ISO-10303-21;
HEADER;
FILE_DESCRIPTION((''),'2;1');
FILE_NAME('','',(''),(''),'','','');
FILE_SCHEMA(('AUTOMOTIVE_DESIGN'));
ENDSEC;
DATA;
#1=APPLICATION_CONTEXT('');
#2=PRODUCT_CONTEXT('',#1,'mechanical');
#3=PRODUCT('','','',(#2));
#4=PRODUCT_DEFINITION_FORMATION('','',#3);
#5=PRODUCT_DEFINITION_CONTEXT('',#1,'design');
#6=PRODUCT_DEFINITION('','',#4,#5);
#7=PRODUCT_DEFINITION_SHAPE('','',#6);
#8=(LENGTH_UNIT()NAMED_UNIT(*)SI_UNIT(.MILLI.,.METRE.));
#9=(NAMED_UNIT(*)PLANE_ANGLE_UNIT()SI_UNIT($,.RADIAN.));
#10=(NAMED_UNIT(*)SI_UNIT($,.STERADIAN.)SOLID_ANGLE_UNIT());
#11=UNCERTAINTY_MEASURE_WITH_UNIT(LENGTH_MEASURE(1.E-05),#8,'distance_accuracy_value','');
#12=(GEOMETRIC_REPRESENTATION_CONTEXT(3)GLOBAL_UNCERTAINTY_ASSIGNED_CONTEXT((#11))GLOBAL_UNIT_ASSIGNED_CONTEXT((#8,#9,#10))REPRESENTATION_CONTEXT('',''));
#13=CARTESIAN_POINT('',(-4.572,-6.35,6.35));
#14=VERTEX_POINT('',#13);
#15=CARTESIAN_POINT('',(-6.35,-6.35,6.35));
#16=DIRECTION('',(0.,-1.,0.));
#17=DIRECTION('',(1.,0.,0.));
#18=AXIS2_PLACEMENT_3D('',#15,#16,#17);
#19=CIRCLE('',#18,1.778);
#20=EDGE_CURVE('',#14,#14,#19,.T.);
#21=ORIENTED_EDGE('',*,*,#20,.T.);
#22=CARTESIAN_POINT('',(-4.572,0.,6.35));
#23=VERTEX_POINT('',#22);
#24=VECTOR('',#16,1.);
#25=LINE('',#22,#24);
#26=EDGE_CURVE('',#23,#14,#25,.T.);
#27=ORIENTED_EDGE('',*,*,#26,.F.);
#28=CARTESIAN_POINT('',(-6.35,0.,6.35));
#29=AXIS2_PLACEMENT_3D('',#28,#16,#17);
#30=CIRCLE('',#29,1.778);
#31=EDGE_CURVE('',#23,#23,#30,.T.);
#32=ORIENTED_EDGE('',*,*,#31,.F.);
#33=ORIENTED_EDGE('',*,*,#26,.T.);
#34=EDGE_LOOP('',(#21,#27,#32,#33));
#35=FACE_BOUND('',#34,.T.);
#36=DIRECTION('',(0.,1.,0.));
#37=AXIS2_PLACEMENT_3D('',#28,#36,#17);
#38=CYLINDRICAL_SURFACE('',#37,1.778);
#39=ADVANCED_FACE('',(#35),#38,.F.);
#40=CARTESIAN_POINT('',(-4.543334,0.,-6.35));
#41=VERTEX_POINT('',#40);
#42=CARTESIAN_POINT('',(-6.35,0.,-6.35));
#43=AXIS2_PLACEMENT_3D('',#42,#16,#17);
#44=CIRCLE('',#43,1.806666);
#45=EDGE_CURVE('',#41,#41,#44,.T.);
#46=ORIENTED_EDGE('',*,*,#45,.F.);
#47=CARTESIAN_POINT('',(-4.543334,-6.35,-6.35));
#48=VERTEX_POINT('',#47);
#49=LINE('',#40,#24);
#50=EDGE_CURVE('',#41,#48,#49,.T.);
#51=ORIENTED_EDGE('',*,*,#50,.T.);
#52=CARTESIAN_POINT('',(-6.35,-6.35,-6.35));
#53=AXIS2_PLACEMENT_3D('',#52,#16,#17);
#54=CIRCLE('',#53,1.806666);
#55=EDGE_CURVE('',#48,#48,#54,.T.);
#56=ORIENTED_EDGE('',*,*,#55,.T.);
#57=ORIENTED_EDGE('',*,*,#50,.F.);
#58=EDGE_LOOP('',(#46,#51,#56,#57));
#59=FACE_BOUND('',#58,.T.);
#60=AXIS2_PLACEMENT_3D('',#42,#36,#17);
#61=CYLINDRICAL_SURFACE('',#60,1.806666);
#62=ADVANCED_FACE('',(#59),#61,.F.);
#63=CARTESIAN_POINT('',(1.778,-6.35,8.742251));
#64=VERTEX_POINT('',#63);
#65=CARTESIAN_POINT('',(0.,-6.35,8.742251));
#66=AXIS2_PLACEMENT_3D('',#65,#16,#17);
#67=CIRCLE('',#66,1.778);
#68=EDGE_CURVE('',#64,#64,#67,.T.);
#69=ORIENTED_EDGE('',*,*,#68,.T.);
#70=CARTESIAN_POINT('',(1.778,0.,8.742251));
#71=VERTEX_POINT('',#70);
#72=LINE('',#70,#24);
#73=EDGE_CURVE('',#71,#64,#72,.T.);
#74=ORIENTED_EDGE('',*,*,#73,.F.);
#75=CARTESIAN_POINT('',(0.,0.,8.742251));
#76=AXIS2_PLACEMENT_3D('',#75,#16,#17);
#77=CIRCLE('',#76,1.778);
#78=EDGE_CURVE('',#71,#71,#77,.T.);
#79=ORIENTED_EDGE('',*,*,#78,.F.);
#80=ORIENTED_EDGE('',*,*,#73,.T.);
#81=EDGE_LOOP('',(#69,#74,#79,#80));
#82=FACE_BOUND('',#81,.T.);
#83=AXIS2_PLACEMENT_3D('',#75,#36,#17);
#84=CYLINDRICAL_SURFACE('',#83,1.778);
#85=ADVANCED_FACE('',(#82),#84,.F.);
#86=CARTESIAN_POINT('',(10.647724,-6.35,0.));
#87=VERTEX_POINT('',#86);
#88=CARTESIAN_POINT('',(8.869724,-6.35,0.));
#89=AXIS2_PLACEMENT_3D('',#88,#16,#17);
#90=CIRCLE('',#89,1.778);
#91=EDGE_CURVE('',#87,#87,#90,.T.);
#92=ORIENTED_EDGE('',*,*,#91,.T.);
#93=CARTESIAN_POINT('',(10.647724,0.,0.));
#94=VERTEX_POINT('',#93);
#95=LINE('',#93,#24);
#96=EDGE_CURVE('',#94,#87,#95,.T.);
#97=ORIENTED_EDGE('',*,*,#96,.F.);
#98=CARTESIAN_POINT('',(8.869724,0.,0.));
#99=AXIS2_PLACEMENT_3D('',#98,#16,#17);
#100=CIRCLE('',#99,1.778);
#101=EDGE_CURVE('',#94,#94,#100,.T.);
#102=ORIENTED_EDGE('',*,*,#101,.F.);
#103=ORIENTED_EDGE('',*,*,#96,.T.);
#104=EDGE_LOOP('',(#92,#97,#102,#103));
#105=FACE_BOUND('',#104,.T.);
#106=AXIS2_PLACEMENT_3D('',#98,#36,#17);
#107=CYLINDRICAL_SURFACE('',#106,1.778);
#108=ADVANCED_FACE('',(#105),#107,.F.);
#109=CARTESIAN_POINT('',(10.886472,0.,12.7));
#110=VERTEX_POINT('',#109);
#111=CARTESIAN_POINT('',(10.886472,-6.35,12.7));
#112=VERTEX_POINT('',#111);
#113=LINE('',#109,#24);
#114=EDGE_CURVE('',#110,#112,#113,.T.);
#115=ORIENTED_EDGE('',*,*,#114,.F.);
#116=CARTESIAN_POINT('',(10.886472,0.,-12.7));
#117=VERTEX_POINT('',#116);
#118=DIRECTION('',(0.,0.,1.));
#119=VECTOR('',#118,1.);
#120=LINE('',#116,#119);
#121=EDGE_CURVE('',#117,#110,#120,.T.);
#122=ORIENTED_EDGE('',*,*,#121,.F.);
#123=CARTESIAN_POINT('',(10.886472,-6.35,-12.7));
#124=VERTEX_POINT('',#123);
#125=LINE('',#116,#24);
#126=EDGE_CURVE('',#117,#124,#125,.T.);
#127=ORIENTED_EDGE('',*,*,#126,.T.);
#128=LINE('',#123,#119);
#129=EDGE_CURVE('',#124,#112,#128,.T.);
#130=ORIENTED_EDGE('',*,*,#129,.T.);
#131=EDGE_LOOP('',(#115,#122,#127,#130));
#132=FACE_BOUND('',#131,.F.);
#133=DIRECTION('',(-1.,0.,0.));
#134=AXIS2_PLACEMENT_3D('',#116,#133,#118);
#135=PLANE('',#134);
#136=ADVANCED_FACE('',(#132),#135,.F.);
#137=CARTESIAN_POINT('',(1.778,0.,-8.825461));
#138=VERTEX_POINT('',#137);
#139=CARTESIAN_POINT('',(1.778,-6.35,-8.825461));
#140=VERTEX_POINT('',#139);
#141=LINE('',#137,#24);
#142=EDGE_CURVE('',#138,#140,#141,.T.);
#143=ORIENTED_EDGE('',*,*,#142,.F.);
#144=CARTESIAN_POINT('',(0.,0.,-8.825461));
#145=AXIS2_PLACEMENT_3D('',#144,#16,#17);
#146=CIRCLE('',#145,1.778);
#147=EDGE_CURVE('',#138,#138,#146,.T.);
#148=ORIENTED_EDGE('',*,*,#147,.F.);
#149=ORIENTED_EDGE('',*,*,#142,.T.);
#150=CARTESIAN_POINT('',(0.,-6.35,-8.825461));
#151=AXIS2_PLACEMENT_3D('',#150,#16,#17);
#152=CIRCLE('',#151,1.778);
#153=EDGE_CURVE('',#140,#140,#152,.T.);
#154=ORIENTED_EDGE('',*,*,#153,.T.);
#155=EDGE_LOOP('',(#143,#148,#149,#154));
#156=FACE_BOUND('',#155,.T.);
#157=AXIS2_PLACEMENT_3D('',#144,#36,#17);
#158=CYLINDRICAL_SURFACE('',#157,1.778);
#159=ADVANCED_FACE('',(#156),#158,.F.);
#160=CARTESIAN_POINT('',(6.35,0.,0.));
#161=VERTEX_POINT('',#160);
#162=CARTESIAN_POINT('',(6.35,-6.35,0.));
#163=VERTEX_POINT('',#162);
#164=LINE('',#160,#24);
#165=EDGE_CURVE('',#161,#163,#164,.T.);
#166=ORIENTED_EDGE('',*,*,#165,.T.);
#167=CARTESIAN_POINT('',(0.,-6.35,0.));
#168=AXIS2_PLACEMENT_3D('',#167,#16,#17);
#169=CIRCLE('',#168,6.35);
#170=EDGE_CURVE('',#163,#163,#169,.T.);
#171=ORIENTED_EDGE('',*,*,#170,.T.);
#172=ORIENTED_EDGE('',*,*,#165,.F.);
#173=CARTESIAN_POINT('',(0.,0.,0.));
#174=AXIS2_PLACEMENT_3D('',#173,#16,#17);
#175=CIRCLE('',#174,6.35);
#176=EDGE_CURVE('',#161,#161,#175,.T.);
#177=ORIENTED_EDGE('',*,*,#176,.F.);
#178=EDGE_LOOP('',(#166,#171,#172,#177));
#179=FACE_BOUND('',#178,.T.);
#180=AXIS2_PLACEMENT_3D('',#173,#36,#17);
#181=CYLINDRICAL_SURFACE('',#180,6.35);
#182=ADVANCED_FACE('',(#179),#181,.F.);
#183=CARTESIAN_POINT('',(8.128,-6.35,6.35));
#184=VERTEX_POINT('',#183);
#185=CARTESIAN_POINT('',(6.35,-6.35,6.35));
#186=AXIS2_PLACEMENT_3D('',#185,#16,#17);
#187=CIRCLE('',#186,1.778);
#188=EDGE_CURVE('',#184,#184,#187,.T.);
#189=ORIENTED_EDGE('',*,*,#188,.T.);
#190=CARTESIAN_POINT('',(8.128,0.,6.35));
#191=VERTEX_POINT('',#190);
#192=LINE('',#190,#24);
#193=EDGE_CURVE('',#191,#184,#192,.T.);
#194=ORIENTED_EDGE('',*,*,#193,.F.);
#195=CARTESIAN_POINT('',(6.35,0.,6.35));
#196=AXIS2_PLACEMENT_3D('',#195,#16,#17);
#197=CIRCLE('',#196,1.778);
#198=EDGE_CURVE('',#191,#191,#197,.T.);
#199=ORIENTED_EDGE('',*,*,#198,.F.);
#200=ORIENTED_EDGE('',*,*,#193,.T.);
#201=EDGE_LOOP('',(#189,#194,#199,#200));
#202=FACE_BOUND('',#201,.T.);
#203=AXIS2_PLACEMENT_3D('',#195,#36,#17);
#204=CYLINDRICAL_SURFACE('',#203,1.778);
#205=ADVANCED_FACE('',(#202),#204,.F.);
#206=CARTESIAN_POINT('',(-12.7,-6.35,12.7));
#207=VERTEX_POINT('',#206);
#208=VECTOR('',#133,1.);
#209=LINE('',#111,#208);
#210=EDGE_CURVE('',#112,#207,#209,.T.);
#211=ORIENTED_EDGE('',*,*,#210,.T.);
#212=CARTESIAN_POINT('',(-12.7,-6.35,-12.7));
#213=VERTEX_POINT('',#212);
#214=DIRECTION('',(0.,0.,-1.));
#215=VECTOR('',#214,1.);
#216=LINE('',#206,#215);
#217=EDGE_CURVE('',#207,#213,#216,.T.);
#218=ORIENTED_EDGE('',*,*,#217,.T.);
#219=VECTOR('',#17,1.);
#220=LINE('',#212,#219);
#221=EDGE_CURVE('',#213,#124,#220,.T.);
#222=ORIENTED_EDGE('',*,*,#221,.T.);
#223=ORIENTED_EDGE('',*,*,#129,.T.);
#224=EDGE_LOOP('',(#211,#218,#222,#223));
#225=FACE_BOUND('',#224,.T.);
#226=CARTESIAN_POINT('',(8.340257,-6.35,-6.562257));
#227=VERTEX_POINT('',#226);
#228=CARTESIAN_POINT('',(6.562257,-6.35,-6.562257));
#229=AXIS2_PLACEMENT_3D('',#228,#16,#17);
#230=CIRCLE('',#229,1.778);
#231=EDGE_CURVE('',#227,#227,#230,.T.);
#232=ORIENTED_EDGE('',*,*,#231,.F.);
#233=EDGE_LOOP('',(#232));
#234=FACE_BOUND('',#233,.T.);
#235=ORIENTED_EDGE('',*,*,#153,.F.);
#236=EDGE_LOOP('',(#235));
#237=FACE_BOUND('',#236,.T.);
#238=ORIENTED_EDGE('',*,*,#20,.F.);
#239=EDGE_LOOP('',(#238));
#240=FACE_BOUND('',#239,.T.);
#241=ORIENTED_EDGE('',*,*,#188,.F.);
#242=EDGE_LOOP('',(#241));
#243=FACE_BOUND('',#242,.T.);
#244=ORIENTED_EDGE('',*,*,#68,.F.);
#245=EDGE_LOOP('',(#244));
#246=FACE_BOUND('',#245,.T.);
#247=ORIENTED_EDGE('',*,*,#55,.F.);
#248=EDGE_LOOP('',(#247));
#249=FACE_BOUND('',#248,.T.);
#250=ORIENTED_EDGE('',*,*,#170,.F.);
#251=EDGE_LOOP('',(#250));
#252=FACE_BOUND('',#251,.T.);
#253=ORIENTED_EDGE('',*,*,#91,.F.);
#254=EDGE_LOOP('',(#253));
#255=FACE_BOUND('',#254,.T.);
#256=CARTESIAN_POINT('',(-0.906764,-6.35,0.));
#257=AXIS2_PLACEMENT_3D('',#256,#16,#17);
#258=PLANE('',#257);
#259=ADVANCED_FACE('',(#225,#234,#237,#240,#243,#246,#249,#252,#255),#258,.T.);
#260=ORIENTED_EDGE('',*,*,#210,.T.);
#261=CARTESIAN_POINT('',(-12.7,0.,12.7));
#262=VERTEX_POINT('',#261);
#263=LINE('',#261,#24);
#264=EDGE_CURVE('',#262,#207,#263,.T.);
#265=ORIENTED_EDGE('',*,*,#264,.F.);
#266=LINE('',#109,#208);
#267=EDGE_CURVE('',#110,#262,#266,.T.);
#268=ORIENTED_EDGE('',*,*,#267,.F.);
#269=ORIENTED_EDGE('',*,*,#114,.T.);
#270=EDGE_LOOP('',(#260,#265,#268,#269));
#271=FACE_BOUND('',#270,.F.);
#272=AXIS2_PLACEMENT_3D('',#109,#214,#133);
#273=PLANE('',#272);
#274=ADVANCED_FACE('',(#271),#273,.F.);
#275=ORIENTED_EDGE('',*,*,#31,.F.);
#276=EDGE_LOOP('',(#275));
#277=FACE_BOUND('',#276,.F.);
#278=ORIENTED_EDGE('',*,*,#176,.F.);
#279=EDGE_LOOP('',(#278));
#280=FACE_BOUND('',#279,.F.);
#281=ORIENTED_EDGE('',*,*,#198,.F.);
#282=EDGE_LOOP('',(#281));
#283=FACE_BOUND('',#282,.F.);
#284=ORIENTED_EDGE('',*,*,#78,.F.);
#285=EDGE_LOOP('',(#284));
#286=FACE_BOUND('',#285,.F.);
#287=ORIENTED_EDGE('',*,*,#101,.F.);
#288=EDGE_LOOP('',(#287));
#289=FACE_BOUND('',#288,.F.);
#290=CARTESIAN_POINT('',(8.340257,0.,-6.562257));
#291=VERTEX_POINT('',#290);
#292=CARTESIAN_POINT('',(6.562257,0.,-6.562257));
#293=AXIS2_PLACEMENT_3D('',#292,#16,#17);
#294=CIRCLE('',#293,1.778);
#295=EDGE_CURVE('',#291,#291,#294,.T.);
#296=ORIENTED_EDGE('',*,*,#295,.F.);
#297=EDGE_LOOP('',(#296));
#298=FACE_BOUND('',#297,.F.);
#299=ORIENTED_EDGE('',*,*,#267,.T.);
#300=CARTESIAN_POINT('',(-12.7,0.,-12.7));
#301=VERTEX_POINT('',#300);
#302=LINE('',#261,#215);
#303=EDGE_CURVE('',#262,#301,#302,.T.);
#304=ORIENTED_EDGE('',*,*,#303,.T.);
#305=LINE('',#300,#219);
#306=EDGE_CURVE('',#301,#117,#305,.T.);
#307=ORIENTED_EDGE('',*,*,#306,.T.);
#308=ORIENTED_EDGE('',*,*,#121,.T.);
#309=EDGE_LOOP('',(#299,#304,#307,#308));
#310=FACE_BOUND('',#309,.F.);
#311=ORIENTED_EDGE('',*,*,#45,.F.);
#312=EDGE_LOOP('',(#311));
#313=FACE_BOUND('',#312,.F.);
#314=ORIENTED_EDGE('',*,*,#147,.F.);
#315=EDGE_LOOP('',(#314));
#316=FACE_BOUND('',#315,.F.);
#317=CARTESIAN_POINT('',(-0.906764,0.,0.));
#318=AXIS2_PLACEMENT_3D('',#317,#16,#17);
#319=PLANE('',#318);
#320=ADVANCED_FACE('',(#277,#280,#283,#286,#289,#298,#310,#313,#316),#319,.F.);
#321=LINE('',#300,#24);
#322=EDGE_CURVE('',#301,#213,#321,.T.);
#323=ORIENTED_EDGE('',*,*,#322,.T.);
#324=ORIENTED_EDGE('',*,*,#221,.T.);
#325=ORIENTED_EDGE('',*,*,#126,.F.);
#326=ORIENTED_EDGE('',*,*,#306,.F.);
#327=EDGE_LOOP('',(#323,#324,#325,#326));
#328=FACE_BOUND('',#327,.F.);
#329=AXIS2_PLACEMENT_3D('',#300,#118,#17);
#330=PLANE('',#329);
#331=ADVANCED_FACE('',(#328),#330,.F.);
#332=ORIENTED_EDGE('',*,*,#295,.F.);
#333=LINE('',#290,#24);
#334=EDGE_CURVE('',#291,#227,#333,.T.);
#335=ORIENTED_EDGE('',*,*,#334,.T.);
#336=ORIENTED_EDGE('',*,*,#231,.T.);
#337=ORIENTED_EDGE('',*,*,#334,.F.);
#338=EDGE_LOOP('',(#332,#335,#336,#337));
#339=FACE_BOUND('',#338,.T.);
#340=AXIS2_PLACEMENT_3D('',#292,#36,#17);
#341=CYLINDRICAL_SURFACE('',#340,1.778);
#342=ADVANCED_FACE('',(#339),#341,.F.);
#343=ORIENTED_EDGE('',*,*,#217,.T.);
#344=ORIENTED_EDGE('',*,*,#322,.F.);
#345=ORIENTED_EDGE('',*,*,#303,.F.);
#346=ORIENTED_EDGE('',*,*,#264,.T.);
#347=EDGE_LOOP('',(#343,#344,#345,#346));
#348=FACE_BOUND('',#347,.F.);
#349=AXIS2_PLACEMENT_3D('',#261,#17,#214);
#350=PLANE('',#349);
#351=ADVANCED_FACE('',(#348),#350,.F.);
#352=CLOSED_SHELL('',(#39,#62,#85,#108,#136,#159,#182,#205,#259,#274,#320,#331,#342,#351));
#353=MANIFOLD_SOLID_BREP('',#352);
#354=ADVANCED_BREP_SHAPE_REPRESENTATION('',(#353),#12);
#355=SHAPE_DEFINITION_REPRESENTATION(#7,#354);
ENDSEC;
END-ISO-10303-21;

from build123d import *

# Parameters (mm, degrees)
F0_R     = 1.806666
F0_R_2   = 1.778
F0_R_3   = 6.35
F1_DEPTH = 6.35


with BuildPart() as f1:
    # F0 (on Front) → F1 (new body)
    with BuildSketch(Plane.XZ):
        Polygon((10.647724, 12.7), (-12.7, 12.7), (-12.7, -12.7), (10.647724, -12.7), (10.886472, -12.7), (10.886472, 12.7), align=None)
        with Locations((-6.35, -6.35)):
            Circle(F0_R, mode=Mode.SUBTRACT)
        with Locations((0, -8.825461)):
            Circle(F0_R_2, mode=Mode.SUBTRACT)
        with Locations((6.562257, -6.562257)):
            Circle(F0_R_2, mode=Mode.SUBTRACT)
        Circle(F0_R_3, mode=Mode.SUBTRACT)
        with Locations((8.869724, 0)):
            Circle(F0_R_2, mode=Mode.SUBTRACT)
        with Locations((-6.35, 6.35)):
            Circle(F0_R_2, mode=Mode.SUBTRACT)
        with Locations((6.35, 6.35)):
            Circle(F0_R_2, mode=Mode.SUBTRACT)
        with Locations((0, 8.742251)):
            Circle(F0_R_2, mode=Mode.SUBTRACT)
    extrude(amount=F1_DEPTH)


solid = f1.part
